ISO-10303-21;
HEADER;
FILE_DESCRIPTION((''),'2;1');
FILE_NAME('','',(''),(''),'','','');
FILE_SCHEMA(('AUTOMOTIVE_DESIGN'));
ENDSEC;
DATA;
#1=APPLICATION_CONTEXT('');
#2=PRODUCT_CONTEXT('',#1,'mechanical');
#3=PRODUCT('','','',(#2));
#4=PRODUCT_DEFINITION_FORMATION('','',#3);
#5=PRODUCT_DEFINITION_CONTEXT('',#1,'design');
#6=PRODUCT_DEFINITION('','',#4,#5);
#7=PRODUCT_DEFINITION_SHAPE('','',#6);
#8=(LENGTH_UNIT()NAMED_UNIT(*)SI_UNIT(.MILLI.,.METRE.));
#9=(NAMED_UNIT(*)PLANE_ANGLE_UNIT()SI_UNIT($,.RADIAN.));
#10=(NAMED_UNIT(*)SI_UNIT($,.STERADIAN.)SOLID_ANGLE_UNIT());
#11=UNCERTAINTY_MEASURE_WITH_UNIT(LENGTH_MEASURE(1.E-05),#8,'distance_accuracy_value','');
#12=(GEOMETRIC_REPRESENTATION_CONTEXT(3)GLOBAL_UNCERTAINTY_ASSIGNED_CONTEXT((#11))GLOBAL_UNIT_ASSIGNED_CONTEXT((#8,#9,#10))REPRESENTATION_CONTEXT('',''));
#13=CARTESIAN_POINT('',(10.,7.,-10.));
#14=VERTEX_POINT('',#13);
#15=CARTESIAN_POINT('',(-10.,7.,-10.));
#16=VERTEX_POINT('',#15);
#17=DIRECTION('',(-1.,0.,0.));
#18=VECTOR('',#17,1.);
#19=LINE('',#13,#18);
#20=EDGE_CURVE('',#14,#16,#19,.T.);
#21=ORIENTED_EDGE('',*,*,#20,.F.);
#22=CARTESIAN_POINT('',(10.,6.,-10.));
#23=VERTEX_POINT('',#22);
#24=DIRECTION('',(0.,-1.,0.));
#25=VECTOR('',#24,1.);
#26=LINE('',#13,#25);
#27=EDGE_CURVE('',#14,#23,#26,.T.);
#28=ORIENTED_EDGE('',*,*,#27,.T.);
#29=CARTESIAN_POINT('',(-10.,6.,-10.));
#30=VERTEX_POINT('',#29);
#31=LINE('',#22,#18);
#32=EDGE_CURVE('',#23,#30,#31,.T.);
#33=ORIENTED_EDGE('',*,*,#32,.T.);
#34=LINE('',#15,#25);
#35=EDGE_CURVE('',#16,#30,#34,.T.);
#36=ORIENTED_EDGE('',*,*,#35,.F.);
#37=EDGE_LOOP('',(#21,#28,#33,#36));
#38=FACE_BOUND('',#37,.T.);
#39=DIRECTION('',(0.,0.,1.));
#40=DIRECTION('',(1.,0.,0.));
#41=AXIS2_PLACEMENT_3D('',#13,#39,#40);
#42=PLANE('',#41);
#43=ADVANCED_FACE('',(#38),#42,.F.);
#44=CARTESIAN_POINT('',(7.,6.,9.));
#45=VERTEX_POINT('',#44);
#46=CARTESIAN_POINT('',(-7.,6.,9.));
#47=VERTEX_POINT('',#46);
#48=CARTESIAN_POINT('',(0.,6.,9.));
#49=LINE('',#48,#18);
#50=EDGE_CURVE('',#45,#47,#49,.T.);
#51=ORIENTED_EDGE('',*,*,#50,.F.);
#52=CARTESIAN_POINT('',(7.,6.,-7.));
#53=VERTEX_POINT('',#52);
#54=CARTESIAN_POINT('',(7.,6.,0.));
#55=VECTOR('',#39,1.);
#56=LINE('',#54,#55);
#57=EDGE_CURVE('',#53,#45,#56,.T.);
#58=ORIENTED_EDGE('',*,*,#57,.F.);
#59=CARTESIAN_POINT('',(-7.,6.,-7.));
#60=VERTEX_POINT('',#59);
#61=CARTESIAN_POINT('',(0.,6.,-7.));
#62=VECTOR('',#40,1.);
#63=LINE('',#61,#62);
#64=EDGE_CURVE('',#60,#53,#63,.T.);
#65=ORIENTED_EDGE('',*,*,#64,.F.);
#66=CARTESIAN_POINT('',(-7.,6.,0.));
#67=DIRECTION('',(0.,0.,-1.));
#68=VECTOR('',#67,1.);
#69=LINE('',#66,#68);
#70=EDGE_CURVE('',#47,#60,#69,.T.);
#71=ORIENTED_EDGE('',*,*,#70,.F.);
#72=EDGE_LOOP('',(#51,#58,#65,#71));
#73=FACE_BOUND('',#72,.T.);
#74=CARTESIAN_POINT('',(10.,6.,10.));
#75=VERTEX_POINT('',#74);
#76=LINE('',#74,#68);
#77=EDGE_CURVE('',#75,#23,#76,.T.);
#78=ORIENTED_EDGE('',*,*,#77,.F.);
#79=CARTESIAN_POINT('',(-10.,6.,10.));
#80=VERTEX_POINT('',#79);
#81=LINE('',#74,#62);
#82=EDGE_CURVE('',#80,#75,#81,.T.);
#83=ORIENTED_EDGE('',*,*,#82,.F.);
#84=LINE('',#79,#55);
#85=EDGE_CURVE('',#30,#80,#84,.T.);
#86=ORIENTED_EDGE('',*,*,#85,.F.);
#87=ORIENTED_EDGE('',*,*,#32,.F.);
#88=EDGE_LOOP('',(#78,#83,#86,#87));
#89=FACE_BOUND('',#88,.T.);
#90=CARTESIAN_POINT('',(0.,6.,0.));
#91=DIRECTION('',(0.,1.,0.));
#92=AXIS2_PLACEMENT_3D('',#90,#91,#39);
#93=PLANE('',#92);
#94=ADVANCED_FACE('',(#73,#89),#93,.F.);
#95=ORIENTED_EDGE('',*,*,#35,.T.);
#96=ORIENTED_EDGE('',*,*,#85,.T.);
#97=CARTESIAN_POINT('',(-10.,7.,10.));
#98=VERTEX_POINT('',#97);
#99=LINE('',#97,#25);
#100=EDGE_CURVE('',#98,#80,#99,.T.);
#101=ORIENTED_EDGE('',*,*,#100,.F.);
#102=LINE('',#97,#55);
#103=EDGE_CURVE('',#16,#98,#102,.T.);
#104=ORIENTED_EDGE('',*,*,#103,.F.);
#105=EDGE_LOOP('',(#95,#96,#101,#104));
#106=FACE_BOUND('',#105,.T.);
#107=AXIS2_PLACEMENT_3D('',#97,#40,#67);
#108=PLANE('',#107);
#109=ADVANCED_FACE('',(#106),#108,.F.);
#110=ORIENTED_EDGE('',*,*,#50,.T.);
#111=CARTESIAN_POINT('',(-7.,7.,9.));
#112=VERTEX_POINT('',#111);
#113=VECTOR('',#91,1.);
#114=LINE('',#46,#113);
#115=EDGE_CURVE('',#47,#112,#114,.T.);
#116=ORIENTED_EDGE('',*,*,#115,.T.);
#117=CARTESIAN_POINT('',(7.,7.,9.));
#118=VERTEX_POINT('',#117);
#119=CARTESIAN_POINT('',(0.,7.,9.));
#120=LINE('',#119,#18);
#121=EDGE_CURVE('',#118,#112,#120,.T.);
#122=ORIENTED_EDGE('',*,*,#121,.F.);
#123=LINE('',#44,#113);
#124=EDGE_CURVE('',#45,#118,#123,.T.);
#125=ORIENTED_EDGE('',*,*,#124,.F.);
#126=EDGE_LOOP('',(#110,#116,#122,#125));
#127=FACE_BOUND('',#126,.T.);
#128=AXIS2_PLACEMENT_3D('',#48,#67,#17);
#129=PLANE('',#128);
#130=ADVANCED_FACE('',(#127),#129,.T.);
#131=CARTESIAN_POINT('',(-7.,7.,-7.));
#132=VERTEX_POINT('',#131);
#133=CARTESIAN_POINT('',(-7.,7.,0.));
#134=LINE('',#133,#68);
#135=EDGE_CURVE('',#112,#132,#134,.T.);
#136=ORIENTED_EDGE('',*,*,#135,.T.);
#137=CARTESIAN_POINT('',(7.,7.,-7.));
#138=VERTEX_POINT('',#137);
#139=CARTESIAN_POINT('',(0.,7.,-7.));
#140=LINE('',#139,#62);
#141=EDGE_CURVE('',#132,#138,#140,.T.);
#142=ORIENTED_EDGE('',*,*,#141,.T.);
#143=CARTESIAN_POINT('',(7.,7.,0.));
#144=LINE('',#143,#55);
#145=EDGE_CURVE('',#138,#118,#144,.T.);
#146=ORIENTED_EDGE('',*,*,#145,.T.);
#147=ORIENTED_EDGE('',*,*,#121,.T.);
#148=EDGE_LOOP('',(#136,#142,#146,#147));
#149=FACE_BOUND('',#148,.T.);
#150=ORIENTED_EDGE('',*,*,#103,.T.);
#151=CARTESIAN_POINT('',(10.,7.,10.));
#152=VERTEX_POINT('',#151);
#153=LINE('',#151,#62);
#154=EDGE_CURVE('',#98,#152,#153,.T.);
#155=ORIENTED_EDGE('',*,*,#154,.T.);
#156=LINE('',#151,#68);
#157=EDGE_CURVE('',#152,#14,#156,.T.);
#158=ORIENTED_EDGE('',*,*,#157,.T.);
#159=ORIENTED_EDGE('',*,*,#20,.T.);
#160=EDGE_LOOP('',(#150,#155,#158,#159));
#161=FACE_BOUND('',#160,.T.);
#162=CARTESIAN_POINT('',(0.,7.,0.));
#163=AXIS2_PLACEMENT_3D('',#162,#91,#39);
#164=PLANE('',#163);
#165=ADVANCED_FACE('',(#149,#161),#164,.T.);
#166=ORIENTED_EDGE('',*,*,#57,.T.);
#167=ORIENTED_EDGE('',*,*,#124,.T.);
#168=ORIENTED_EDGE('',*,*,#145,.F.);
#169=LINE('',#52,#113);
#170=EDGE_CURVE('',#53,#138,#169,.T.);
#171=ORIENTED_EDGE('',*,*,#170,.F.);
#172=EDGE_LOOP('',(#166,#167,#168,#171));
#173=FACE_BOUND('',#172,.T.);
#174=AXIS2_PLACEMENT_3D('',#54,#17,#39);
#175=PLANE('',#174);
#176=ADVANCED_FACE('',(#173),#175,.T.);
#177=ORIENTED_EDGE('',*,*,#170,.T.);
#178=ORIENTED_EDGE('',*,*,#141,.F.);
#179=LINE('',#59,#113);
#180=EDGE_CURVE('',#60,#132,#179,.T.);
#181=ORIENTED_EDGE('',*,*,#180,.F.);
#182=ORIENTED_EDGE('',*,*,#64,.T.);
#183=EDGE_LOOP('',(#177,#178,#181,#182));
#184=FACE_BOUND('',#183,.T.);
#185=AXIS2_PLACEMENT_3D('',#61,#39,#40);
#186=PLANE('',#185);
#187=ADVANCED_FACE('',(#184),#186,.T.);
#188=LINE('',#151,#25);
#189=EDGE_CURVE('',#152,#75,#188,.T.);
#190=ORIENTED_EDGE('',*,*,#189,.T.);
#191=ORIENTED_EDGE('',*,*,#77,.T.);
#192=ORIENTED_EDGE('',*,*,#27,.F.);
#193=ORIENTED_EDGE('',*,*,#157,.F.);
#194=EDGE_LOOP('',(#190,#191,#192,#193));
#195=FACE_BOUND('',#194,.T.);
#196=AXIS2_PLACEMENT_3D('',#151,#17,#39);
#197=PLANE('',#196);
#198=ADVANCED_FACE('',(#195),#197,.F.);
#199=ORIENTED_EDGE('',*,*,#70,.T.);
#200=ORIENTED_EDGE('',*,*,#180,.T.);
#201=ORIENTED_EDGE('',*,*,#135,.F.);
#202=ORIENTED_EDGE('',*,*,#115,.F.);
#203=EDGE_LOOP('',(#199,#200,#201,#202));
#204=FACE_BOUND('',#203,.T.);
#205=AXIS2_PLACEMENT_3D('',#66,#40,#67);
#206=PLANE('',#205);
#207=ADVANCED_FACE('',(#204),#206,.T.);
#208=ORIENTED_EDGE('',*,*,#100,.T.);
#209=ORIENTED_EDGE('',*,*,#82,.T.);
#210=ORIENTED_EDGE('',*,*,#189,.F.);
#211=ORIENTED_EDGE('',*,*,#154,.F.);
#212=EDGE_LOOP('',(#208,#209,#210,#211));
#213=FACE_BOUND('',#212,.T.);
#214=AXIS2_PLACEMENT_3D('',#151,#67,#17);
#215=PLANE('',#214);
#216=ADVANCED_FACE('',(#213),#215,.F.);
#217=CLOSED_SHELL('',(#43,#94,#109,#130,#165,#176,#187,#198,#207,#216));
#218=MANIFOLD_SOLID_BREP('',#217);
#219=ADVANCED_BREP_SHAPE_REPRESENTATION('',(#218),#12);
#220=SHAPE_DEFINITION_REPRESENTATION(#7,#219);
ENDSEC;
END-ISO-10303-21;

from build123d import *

# Parameters (mm, degrees)
SKETCH_1_W          = 20
SKETCH_1_H          = 20
EXTRUDE_1_DEPTH     = 6
CUT_EXTRUDE_START   = 1
SKETCH_3_W          = 18
SKETCH_3_H          = 19
CUT_EXTRUDE_1_DEPTH = 6
EXTRUDE_START       = 6
SKETCH_4_W          = 20
SKETCH_4_H          = 20
EXTRUDE_2_DEPTH     = 1
CUT_EXTRUDE_START_2 = 7
SKETCH_7_W          = 14
SKETCH_7_H          = 16
CUT_EXTRUDE_3_DEPTH = 1
SKETCH_9_W          = 20
SKETCH_9_H          = 20
CUT_EXTRUDE_5_DEPTH = 6


with BuildPart() as part:
    # 스케치1 → 보스-돌출1 (new body)
    with BuildSketch(Plane(origin=(0, 0, 0), x_dir=(1, 0, 0), z_dir=(0, 1, 0))):
        Rectangle(SKETCH_1_W, SKETCH_1_H)
    extrude(amount=EXTRUDE_1_DEPTH)

    # 스케치3 → 컷-돌출1 (cut)
    with BuildSketch(Plane(origin=(0, 0, 0), x_dir=(1, 0, 0), z_dir=(0, 1, 0)).offset(CUT_EXTRUDE_START)):
        with Locations((0, 0.5)):
            Rectangle(SKETCH_3_W, SKETCH_3_H)
    extrude(amount=CUT_EXTRUDE_1_DEPTH, mode=Mode.SUBTRACT)

    # 스케치9 → 컷-돌출5 (cut)
    with BuildSketch(Plane.XZ):
        Rectangle(SKETCH_9_W, SKETCH_9_H)
    extrude(amount=-CUT_EXTRUDE_5_DEPTH, mode=Mode.SUBTRACT)


with BuildPart() as body_2:
    # 스케치4 → 보스-돌출2 (new body)
    with BuildSketch(Plane(origin=(0, 0, 0), x_dir=(1, 0, 0), z_dir=(0, 1, 0)).offset(EXTRUDE_START)):
        Rectangle(SKETCH_4_W, SKETCH_4_H)
    extrude(amount=EXTRUDE_2_DEPTH)

    # 스케치7 → 컷-돌출3 (cut)
    with BuildSketch(Plane(origin=(0, 0, 0), x_dir=(1, 0, 0), z_dir=(0, 1, 0)).offset(CUT_EXTRUDE_START_2)):
        with Locations((0, -1)):
            Rectangle(SKETCH_7_W, SKETCH_7_H)
    extrude(amount=-CUT_EXTRUDE_3_DEPTH, mode=Mode.SUBTRACT)


solid = body_2.part
